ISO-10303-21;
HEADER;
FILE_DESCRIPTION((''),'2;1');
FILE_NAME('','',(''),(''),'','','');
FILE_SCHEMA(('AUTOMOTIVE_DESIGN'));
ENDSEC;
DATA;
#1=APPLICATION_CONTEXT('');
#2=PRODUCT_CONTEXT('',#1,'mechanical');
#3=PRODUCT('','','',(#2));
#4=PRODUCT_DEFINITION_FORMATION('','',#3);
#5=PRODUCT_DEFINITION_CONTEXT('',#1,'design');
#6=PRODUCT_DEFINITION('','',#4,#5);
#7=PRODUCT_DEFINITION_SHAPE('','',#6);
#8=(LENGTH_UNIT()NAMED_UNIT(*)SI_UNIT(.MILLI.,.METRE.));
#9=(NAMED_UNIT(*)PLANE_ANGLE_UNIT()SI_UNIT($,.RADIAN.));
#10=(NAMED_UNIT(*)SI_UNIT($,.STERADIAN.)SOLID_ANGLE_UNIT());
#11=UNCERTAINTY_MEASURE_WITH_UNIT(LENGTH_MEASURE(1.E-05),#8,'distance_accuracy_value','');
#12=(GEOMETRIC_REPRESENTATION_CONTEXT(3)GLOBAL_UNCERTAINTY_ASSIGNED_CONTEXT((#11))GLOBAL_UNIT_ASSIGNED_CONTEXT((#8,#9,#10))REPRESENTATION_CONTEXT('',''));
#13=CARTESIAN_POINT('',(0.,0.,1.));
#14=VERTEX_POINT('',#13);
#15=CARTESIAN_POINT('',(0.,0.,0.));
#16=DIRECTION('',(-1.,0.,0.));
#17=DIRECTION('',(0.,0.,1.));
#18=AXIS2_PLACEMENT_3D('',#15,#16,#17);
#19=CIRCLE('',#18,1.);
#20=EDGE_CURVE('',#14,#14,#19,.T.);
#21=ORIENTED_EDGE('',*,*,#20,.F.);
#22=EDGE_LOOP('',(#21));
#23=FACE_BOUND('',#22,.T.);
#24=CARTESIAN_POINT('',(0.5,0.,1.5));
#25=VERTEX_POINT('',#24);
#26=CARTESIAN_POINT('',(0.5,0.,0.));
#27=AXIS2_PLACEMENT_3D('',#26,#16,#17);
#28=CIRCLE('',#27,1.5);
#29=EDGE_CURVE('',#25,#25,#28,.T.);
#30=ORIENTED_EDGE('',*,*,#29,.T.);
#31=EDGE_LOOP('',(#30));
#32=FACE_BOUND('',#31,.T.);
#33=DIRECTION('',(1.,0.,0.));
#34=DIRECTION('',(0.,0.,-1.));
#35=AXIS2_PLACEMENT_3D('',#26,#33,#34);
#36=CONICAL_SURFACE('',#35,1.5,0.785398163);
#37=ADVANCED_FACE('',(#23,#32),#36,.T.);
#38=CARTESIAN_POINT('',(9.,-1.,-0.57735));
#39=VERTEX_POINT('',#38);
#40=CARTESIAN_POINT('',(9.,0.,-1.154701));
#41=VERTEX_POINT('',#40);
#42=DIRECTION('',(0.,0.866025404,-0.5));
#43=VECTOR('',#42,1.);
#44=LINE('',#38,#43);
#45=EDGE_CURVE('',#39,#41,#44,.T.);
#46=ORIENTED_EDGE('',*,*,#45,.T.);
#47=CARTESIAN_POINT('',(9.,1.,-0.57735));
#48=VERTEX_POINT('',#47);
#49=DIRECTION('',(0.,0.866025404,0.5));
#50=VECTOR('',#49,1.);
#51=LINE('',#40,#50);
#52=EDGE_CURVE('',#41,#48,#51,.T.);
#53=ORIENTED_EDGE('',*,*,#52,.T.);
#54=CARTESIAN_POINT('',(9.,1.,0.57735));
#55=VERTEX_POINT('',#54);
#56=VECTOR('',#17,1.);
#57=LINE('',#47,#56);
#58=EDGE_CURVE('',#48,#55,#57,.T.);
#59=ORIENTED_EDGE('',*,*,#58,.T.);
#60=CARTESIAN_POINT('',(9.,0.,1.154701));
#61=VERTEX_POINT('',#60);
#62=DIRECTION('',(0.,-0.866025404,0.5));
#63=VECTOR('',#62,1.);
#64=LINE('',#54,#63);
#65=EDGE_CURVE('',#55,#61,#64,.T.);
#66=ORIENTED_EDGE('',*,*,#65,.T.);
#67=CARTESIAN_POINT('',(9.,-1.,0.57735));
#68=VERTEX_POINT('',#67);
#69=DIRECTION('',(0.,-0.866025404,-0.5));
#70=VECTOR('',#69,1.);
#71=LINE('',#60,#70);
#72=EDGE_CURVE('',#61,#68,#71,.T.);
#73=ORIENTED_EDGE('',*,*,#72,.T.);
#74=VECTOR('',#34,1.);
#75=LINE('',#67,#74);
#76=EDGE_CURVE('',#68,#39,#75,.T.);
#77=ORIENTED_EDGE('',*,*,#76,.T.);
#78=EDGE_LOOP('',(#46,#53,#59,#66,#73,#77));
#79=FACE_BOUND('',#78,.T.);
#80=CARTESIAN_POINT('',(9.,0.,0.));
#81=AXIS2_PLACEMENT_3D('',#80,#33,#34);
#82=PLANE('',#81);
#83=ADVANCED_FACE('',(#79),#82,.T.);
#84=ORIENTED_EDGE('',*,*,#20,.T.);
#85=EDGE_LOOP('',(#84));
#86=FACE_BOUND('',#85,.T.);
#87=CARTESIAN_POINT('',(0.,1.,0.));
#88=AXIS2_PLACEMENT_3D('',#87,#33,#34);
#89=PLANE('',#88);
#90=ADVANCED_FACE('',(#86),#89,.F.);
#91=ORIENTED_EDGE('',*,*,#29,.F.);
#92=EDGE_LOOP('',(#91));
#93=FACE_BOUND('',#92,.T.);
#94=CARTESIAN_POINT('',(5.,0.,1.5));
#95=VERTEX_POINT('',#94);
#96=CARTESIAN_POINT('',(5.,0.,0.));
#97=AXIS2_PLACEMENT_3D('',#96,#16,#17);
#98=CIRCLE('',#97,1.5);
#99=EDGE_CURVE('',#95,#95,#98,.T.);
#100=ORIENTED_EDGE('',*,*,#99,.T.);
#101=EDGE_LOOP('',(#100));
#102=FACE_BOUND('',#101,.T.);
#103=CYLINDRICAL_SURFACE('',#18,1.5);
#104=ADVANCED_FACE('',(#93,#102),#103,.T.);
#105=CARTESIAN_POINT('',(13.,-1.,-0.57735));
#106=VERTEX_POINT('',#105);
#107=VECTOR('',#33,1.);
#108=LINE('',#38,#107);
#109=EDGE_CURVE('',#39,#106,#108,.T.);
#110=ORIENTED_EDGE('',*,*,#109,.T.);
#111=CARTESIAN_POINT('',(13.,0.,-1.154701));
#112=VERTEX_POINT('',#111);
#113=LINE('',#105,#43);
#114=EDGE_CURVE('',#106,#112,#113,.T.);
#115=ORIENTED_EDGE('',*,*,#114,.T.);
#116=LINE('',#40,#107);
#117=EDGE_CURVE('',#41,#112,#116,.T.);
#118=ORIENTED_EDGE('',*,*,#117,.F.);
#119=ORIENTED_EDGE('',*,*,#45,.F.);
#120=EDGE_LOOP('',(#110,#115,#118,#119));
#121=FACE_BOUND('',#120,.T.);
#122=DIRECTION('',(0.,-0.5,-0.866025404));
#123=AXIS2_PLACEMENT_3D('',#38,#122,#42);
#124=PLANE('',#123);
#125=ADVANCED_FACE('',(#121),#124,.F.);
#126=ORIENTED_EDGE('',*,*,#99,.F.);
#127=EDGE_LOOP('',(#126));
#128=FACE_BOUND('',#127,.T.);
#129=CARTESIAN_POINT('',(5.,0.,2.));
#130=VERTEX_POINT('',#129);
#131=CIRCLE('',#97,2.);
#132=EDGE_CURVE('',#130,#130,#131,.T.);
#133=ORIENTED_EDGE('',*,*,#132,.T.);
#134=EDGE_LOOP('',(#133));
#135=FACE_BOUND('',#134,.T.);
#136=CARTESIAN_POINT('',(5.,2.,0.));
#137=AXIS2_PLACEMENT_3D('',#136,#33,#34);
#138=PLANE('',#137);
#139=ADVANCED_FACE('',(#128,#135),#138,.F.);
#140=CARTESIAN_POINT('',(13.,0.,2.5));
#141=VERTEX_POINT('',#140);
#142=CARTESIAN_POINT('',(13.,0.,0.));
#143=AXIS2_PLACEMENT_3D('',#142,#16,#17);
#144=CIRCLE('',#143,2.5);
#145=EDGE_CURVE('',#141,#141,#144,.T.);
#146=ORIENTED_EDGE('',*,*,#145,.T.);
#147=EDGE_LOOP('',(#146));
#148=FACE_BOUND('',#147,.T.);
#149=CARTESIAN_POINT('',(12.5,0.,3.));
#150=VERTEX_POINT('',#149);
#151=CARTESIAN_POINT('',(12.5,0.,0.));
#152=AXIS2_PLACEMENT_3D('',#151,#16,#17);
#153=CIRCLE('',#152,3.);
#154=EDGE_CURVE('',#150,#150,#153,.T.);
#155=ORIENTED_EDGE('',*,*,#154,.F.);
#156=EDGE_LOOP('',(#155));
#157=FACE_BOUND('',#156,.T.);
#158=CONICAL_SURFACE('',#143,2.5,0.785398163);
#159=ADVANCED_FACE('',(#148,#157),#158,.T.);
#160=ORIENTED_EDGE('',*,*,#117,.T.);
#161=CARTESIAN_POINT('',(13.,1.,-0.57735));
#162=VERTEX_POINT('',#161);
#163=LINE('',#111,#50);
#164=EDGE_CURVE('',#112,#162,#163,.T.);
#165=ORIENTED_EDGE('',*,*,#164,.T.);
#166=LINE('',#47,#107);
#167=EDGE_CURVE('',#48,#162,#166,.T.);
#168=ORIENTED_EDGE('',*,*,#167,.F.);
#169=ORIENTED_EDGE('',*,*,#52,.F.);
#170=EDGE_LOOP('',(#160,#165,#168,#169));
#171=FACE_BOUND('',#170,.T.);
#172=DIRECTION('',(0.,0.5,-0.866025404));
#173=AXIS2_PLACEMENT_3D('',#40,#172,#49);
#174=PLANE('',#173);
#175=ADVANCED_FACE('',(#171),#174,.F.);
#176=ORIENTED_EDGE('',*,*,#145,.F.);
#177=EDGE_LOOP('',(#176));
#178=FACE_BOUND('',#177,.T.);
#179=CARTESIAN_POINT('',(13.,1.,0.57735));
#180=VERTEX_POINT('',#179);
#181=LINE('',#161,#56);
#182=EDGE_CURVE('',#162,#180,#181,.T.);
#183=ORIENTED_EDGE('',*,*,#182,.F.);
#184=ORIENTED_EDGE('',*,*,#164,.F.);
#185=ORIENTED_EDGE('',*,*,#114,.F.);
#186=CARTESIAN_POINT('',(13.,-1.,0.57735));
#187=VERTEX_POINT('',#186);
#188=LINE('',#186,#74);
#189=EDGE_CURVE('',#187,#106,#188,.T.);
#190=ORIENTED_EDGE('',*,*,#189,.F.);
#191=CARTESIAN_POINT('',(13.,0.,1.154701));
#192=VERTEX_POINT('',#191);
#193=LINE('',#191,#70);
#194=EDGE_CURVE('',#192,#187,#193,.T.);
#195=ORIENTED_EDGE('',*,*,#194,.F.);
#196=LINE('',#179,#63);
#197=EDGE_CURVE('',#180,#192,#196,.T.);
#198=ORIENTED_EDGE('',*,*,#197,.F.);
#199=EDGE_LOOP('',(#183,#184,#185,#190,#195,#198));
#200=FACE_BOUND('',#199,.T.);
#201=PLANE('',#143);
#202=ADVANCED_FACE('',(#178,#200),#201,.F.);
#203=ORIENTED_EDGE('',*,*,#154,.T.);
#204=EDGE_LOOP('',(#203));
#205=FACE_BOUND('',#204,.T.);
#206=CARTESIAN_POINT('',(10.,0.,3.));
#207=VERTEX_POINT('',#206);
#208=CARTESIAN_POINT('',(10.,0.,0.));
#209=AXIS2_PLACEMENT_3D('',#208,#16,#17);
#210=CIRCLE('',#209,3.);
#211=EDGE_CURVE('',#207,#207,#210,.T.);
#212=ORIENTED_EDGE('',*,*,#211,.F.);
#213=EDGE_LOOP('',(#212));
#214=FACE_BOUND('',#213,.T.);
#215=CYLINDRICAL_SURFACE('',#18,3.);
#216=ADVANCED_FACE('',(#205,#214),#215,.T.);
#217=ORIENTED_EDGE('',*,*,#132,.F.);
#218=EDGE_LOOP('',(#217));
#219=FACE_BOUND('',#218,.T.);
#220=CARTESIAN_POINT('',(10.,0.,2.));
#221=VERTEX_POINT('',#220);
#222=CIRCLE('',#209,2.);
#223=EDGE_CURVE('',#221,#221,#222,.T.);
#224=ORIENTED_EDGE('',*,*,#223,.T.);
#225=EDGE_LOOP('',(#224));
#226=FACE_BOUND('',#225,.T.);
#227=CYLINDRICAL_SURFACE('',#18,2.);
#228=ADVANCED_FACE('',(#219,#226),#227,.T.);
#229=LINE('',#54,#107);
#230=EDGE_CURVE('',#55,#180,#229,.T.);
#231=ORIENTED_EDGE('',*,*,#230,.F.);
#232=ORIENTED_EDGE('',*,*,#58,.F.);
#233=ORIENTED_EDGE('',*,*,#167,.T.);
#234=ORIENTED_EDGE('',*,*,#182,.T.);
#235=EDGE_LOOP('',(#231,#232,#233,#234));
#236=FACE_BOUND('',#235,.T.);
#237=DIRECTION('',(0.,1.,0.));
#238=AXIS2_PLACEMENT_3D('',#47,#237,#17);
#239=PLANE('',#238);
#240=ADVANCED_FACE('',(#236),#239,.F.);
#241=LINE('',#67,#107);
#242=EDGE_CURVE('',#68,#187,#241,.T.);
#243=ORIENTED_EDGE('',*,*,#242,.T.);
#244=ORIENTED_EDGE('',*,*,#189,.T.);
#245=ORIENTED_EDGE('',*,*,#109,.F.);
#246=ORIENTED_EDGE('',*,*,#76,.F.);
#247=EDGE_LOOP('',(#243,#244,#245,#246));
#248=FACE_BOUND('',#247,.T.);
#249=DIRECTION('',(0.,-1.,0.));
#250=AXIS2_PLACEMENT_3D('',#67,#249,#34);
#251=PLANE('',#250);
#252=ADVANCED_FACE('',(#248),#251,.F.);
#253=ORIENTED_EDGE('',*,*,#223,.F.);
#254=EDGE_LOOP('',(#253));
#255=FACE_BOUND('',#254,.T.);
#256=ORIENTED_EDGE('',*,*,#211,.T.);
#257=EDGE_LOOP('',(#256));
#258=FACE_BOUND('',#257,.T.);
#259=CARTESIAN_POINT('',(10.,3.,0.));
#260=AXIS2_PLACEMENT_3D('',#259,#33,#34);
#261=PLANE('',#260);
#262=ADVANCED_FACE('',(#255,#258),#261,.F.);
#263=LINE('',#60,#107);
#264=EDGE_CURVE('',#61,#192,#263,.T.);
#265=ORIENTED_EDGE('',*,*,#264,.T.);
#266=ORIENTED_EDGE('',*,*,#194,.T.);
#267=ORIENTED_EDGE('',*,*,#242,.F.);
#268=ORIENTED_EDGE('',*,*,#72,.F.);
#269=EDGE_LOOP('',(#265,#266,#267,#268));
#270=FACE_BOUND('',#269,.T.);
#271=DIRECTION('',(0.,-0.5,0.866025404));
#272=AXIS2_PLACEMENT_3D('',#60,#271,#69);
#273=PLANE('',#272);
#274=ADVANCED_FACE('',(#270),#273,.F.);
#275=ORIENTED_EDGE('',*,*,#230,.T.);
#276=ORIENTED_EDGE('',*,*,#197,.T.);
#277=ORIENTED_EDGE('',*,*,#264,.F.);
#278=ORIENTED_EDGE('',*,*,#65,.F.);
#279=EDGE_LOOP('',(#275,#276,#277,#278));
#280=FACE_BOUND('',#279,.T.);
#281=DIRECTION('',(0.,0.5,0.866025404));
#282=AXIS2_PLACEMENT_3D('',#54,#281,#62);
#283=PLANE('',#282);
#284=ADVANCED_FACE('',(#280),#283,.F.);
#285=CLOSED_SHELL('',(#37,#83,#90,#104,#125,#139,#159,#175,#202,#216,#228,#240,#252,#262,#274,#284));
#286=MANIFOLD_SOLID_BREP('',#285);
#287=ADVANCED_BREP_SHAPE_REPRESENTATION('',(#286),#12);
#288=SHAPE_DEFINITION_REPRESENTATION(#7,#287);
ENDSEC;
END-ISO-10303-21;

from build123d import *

# Parameters (mm, degrees)
CUT_EXTRUDE1_DEPTH = 4


with BuildPart() as part:
    # Sketch1 → Revolve1 (revolve)
    with BuildSketch(Plane.XY):
        Polygon((0, 0), (13, 0), (13, 2.5), (12.5, 3), (10, 3), (10, 2), (5, 2), (5, 1.5), (0.5, 1.5), (0, 1), align=None)
    revolve(axis=Axis((0, 0, 0), (1, 0, 0)))

    # Sketch2 → Cut-Extrude1 (cut)
    with BuildSketch(Plane(origin=(13, 0, 0), x_dir=(0, 0, -1), z_dir=(1, 0, 0))):
        Polygon((1.154700538, 0), (0.577350269, 1), (-0.577350269, 1), (-1.154700538, 0), (-0.577350269, -1), (0.577350269, -1), align=None)
    extrude(amount=-CUT_EXTRUDE1_DEPTH, mode=Mode.SUBTRACT)


solid = part.part
